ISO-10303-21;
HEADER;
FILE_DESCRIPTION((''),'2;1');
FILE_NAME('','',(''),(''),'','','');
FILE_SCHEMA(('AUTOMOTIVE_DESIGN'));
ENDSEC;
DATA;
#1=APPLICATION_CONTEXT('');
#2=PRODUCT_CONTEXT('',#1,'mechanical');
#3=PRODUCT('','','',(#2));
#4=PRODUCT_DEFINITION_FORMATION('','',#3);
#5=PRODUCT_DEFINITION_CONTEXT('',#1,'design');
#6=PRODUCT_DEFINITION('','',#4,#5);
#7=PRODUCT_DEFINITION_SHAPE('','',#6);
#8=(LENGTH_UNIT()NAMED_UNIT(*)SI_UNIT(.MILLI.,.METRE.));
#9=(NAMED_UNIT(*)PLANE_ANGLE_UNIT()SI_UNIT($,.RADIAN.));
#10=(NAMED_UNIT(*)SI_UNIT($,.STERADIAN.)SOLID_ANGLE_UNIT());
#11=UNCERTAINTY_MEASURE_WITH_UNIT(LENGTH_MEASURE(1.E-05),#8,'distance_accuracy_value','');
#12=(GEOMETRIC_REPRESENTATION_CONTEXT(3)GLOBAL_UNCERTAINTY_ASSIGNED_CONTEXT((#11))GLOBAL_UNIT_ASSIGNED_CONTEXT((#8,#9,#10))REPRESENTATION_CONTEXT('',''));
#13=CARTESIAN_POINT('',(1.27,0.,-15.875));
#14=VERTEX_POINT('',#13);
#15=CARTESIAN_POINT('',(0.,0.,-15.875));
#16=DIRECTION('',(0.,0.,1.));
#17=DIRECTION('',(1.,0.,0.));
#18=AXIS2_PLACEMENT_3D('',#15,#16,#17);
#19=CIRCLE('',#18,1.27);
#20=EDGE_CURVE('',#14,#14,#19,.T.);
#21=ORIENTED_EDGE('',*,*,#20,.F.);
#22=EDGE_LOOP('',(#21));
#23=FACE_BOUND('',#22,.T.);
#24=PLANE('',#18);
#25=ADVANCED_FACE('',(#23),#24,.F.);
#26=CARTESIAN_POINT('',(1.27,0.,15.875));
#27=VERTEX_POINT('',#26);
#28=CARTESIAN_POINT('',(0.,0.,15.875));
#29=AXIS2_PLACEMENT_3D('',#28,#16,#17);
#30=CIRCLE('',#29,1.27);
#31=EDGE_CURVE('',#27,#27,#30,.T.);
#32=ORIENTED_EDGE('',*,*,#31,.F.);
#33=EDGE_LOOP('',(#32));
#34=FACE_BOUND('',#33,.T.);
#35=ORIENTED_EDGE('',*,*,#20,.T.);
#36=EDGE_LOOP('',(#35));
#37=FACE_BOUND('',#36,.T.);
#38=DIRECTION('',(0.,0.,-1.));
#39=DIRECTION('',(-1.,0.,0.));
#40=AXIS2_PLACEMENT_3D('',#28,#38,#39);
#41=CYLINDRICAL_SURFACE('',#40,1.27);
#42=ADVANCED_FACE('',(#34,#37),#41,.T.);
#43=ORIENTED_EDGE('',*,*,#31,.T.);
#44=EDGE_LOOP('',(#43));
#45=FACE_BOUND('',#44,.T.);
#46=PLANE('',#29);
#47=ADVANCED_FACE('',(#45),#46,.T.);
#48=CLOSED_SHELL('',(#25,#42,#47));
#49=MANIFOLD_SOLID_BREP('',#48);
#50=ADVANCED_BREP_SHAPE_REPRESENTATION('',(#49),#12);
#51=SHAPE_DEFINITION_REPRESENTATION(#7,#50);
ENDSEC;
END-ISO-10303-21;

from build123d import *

# Parameters (mm, degrees)
SKETCH1_R           = 1.27
BOSS_EXTRUDE1_DEPTH = 15.875


with BuildPart() as part:
    # Sketch1 → Boss-Extrude1 (new body, symmetric)
    with BuildSketch(Plane.XY):
        Circle(SKETCH1_R)
    extrude(amount=BOSS_EXTRUDE1_DEPTH, both=True)


solid = part.part
